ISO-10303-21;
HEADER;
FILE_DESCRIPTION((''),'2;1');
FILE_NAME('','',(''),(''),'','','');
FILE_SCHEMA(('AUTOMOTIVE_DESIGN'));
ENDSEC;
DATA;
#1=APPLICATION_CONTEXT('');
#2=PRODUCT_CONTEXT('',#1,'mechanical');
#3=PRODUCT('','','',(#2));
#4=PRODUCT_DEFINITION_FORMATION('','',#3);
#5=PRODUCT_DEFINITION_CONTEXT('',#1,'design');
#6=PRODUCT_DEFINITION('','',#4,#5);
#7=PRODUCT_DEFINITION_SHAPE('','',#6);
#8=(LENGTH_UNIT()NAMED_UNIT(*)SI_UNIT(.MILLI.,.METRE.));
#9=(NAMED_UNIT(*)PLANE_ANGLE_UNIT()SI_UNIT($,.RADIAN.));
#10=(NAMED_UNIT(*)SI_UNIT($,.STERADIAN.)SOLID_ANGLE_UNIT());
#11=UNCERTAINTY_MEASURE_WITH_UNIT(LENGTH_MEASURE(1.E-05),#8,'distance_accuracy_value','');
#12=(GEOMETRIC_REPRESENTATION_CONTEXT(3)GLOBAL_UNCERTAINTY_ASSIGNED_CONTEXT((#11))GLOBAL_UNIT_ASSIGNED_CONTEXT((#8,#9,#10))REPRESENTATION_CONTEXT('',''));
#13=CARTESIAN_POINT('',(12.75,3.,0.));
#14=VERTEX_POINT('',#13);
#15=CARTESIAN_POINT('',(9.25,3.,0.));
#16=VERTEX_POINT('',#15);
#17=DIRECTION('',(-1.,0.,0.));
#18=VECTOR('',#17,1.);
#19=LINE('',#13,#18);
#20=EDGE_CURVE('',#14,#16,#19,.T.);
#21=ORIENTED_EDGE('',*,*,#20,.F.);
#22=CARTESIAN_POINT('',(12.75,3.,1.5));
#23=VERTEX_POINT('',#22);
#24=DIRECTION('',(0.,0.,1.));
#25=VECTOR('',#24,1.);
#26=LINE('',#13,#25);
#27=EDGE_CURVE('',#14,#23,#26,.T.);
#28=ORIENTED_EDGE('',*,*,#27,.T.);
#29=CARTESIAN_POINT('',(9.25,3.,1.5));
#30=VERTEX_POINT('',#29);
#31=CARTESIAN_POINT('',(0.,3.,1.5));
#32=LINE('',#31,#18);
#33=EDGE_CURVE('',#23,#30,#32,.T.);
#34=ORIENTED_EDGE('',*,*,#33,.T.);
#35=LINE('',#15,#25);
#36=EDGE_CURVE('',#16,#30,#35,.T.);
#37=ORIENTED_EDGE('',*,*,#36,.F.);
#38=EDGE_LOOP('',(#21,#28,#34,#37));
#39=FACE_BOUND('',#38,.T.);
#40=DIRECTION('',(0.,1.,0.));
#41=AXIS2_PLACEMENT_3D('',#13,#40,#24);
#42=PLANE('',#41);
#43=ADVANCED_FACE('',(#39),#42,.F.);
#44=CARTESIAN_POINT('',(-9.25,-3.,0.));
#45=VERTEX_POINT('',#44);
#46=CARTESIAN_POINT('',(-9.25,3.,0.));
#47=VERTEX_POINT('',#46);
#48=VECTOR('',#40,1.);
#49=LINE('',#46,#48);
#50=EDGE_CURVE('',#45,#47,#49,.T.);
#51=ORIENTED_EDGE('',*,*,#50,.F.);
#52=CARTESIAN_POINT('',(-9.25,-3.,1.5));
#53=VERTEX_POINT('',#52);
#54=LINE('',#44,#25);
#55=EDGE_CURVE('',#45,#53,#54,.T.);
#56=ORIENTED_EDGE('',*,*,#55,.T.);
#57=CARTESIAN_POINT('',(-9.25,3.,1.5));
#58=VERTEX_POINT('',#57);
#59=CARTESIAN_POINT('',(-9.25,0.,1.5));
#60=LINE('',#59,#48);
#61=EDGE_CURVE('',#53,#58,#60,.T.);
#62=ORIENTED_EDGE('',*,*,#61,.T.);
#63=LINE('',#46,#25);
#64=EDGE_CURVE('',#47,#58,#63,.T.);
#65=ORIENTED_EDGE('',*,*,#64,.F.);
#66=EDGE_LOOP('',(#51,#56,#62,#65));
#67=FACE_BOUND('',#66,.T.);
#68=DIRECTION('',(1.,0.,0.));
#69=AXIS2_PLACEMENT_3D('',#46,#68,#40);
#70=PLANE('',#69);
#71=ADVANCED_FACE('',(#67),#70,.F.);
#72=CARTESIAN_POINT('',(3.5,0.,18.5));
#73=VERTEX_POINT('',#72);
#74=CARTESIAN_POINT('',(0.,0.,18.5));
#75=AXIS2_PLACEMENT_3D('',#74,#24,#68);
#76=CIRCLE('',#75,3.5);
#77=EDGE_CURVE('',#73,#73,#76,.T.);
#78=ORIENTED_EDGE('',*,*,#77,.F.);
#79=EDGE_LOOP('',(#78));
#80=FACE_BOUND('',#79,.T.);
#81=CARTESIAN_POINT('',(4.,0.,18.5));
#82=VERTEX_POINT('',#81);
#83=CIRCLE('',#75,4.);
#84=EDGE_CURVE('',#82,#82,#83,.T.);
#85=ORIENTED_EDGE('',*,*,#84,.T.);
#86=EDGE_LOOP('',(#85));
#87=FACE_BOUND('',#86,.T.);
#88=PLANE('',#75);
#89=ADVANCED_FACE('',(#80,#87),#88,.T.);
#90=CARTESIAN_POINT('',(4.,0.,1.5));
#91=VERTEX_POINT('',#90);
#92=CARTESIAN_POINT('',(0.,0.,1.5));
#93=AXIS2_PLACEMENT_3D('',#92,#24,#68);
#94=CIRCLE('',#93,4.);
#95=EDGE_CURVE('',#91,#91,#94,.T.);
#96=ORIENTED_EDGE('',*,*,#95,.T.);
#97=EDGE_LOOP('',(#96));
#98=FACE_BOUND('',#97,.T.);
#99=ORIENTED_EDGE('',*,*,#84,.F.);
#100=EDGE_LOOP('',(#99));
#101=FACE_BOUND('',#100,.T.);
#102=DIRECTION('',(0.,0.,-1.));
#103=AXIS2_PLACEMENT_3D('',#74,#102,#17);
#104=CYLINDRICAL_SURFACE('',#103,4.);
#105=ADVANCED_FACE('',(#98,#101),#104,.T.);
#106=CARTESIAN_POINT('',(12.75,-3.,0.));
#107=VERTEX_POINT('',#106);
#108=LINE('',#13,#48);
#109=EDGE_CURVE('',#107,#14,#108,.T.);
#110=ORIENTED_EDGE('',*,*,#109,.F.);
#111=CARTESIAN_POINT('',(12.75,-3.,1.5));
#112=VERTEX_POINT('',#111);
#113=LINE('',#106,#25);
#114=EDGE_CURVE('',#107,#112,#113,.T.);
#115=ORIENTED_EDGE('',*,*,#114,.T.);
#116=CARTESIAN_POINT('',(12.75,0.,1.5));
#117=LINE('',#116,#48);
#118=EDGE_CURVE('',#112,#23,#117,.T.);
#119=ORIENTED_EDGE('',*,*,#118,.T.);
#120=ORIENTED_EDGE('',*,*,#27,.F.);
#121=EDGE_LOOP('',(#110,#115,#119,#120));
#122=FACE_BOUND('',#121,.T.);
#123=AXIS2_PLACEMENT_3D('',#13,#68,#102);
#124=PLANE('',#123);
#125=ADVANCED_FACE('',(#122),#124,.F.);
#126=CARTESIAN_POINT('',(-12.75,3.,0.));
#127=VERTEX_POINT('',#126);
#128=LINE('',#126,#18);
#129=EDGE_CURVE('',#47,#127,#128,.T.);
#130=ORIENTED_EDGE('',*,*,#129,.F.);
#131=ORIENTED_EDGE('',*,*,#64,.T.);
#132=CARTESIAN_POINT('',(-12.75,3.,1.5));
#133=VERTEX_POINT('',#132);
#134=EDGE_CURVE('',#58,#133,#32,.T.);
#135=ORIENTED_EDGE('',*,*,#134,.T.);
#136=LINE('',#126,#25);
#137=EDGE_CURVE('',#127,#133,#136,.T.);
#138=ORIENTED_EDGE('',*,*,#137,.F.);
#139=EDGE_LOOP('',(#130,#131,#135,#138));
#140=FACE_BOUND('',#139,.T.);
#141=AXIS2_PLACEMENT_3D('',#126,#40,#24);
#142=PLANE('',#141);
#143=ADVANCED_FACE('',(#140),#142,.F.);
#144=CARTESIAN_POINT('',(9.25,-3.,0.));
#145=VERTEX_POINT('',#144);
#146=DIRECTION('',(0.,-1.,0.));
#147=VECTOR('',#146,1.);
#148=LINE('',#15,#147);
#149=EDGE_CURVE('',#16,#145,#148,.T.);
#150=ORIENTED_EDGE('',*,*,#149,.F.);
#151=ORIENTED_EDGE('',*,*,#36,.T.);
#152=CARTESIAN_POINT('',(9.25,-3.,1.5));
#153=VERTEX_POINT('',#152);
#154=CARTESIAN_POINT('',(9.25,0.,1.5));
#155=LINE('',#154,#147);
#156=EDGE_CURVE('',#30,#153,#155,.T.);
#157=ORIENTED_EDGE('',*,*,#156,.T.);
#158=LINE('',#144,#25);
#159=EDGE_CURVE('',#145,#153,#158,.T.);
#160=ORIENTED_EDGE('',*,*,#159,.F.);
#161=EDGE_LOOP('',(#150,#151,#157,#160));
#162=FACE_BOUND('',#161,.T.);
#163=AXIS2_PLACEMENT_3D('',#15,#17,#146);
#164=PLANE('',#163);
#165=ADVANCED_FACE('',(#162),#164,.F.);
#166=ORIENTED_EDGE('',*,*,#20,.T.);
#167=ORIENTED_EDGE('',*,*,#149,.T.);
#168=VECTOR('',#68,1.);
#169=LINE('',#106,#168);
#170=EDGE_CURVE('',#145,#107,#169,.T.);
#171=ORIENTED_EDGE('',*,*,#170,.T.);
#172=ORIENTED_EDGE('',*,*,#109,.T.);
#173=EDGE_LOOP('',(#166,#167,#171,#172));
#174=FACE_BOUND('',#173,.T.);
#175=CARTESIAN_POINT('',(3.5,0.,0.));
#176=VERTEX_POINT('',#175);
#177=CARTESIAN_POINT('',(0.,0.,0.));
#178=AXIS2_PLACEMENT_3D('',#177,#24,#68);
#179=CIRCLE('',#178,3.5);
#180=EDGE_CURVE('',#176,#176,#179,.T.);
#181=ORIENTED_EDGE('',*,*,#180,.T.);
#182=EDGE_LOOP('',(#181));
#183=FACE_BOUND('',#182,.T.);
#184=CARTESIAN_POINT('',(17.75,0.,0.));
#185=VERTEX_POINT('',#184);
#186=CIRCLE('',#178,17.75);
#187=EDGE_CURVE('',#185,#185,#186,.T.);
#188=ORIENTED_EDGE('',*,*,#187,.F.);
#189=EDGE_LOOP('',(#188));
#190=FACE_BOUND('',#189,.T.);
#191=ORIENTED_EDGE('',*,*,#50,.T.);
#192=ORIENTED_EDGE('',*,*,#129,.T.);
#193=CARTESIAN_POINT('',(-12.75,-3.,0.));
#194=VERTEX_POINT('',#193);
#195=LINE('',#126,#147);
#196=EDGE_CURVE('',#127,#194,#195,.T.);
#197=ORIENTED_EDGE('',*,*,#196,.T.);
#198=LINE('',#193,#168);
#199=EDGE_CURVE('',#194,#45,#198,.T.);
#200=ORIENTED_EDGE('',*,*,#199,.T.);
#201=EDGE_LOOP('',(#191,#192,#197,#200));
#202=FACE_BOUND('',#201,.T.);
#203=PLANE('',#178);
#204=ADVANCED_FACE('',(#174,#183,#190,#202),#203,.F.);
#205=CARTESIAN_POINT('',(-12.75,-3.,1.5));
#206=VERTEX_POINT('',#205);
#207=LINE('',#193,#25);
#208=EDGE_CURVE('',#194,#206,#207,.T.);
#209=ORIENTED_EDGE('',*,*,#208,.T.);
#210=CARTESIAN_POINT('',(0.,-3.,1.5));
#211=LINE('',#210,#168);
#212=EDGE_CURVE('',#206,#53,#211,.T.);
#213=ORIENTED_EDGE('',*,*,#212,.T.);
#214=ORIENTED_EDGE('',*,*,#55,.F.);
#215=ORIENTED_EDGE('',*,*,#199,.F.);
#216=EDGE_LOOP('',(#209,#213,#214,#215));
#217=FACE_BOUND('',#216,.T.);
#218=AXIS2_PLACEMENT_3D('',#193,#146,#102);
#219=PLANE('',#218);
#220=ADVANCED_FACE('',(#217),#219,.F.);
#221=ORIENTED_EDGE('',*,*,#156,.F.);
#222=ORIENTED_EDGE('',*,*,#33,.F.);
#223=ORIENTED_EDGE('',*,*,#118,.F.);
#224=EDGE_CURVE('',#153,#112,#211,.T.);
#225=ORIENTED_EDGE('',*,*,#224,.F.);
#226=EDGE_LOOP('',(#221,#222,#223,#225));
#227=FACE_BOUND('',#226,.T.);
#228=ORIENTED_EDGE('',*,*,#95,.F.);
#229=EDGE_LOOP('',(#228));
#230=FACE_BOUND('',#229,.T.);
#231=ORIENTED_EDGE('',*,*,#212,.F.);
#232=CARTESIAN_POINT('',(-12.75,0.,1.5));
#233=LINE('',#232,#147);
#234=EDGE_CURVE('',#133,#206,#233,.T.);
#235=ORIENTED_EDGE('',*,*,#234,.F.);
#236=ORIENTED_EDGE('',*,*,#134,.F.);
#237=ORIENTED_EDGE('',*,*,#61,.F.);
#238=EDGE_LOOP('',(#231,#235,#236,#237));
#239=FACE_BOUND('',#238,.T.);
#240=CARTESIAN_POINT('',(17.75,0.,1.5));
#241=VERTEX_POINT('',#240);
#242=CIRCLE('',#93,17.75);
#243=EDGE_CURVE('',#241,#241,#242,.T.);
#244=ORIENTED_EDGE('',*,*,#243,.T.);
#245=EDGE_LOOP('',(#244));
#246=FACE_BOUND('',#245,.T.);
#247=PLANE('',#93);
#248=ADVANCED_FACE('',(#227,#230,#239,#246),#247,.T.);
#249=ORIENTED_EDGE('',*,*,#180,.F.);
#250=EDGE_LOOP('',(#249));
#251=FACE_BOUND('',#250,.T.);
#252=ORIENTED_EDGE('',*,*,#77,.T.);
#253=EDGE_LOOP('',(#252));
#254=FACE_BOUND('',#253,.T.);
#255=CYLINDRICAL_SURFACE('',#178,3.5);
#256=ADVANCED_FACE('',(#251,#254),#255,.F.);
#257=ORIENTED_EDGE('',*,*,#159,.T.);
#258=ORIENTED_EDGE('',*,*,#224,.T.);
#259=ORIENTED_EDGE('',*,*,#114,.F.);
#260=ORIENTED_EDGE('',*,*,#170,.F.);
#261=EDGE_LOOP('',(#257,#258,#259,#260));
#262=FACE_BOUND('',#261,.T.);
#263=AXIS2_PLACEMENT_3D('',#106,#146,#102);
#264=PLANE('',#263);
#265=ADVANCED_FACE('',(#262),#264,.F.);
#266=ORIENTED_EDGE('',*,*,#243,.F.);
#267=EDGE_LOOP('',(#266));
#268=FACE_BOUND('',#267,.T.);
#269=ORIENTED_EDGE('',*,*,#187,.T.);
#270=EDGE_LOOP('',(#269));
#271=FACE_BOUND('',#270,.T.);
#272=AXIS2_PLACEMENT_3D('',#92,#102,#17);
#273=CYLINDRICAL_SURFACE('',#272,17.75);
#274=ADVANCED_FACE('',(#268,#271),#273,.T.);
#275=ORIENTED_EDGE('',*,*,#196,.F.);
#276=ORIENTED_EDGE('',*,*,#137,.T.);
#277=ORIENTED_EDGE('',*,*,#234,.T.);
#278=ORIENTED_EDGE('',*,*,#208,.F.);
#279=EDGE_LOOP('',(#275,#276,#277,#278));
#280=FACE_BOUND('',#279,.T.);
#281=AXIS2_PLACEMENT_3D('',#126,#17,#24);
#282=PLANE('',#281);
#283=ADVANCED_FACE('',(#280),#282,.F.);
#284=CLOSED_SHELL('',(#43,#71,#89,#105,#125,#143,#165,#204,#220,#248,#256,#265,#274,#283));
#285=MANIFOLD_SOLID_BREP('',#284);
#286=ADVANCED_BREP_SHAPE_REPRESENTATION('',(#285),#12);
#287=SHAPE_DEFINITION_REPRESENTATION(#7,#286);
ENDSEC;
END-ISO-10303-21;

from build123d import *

# Parameters (mm, degrees)
SKETCH1_R           = 17.75
BOSS_EXTRUDE1_DEPTH = 1.5
SKETCH2_R           = 4
BOSS_EXTRUDE2_DEPTH = 17
SKETCH4_R           = 3.5
SKETCH4_W           = 3.5
SKETCH4_H           = 6
CUT_EXTRUDE1_DEPTH  = 32.182928022


with BuildPart() as part:
    # Sketch1 → Boss-Extrude1 (new body)
    with BuildSketch(Plane.XY):
        Circle(SKETCH1_R)
    extrude(amount=BOSS_EXTRUDE1_DEPTH)

    # Sketch2 → Boss-Extrude2 (add)
    with BuildSketch(Plane.XY.offset(1.5)):
        Circle(SKETCH2_R)
    extrude(amount=BOSS_EXTRUDE2_DEPTH)

    # Sketch4 → Cut-Extrude1 (cut, through all)
    with BuildSketch(Plane.XY.offset(18.5)):
        Circle(SKETCH4_R)
        with Locations((-11, 0)):
            Rectangle(SKETCH4_W, SKETCH4_H)
        with Locations((11, 0)):
            Rectangle(SKETCH4_W, SKETCH4_H)
    extrude(amount=-CUT_EXTRUDE1_DEPTH, mode=Mode.SUBTRACT)


solid = part.part
